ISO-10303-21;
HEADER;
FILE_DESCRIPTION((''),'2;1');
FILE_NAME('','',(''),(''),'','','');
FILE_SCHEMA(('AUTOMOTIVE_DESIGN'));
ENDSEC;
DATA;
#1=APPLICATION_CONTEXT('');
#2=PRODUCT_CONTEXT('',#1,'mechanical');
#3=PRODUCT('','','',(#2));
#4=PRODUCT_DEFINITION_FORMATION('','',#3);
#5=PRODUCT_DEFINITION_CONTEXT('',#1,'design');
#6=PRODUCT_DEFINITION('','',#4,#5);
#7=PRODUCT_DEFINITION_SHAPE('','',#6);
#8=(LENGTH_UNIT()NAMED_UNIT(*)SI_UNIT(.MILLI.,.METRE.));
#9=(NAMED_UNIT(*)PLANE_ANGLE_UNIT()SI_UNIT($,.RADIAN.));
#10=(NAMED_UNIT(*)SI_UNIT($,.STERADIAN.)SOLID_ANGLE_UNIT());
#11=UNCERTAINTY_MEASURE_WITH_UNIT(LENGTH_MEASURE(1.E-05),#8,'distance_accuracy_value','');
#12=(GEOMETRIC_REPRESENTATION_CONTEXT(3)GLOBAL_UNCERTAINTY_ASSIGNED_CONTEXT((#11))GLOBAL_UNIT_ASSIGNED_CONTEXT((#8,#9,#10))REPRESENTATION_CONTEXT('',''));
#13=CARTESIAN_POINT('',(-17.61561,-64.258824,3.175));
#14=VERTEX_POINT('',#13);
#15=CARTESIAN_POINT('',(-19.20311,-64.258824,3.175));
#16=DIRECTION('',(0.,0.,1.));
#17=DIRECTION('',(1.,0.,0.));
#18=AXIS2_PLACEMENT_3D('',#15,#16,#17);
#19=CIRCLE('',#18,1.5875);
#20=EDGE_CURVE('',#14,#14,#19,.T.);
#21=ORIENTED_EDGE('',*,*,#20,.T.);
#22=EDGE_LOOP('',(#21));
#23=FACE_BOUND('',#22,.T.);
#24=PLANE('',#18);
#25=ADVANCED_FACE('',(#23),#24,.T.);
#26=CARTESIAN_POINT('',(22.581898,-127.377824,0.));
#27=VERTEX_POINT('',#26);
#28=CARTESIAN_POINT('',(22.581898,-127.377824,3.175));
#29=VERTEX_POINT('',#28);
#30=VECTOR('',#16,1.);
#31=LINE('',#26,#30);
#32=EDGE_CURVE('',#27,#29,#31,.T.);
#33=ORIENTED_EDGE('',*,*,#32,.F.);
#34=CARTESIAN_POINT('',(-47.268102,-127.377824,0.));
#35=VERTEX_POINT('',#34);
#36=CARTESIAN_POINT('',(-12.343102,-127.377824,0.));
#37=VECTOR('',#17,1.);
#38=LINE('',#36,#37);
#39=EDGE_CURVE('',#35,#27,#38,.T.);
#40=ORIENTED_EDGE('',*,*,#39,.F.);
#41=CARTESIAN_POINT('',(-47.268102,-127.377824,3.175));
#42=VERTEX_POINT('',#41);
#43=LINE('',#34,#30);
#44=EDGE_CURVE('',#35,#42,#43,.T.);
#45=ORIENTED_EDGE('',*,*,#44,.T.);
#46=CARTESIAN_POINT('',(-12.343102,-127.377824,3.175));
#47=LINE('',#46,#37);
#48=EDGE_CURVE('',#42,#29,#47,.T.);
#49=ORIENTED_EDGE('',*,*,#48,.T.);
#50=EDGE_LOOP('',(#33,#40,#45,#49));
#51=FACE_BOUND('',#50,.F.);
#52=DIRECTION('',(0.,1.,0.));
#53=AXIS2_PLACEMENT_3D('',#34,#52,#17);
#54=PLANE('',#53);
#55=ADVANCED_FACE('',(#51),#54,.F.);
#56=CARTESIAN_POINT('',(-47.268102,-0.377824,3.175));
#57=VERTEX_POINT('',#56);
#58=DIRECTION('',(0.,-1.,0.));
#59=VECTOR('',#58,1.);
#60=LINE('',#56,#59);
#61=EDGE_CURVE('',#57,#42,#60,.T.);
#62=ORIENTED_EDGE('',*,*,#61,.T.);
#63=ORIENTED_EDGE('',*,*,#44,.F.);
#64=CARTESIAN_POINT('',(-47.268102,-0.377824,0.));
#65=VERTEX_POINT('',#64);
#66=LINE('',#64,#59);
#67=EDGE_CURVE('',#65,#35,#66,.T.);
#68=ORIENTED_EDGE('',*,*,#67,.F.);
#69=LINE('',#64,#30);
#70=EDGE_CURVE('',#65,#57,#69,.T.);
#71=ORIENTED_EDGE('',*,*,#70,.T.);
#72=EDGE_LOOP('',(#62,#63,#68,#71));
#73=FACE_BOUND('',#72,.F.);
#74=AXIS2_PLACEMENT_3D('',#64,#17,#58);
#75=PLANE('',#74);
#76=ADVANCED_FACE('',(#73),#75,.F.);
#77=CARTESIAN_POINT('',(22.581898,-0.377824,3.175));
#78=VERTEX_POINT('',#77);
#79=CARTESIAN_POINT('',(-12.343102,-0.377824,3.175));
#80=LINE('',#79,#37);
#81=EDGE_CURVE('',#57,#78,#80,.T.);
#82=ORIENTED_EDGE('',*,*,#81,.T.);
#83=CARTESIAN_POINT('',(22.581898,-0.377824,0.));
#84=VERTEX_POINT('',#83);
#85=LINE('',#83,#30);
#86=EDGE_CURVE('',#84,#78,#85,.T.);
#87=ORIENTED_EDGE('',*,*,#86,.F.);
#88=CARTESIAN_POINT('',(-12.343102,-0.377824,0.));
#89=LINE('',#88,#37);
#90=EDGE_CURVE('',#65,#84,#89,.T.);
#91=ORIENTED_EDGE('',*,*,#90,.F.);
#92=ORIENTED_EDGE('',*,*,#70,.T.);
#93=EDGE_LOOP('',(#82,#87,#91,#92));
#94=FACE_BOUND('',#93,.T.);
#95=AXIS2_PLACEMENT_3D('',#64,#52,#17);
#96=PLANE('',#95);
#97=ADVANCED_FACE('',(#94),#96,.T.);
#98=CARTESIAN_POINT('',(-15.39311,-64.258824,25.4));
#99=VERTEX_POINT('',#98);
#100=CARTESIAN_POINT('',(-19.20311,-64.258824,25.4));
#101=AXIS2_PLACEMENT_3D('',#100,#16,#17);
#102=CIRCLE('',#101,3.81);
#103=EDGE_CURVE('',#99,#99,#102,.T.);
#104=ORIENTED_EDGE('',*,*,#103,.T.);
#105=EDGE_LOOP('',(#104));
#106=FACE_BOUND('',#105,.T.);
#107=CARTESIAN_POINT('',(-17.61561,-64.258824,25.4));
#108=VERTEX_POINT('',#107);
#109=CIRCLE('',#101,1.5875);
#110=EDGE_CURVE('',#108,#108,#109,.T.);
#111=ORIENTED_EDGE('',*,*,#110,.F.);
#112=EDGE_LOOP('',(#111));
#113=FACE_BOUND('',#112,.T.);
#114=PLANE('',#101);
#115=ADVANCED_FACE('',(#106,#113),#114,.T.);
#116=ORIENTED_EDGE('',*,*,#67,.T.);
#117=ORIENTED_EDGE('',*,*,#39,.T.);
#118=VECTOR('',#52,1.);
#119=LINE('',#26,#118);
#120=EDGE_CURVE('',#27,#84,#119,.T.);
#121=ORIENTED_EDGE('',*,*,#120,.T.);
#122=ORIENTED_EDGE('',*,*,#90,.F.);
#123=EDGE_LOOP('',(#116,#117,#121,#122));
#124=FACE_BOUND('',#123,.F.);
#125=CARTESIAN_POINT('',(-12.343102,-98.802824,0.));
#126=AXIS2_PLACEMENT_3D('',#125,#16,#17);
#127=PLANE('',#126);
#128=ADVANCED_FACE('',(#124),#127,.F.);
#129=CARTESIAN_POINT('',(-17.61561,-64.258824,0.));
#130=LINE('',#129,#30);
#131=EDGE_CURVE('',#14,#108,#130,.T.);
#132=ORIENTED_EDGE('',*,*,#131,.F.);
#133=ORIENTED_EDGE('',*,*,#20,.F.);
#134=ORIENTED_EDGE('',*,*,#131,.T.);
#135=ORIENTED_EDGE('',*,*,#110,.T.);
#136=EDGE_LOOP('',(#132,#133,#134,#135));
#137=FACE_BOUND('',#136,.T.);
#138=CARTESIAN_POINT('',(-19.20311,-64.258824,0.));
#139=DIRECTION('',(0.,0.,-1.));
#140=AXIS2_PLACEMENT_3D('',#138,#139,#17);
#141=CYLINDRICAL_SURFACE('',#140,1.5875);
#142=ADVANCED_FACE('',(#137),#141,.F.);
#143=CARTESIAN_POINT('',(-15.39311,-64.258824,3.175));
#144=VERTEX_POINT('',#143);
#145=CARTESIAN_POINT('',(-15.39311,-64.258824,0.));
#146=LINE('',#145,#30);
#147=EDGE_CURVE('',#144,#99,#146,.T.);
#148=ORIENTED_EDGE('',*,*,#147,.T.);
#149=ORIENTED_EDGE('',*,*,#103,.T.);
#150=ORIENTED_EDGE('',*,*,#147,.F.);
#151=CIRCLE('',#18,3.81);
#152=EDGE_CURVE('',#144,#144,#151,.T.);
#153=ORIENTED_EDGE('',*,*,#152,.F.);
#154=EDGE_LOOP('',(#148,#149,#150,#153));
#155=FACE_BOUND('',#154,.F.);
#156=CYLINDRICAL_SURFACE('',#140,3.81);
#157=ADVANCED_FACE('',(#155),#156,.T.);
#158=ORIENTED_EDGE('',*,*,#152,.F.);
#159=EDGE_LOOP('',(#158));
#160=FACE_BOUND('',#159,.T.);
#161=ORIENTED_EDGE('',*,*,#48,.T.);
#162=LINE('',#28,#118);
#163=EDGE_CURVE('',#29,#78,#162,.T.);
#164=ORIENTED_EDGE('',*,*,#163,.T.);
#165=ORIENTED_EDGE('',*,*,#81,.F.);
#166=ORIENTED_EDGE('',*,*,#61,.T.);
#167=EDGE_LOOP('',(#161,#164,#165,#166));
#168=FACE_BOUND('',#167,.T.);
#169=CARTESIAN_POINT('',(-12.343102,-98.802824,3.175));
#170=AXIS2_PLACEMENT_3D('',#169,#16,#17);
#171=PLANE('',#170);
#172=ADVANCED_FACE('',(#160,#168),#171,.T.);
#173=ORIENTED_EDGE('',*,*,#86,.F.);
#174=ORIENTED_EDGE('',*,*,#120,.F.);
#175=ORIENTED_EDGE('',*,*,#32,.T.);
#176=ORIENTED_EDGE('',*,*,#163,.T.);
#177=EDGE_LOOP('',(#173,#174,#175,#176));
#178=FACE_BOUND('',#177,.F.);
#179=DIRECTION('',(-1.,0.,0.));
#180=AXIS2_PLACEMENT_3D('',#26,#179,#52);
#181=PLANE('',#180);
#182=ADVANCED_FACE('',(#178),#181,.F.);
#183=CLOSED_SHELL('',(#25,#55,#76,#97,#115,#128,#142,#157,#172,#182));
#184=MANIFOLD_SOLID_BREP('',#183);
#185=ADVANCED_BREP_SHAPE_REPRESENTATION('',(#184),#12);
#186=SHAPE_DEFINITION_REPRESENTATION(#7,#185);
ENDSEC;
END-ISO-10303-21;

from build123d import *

# Parameters (mm, degrees)
F0_W     = 69.85
F0_H     = 57.15
F0_H_2   = 69.85
F0_R     = 3.81
F0_R_2   = 1.5875
F1_DEPTH = 3.175
F2_DEPTH = 25.4


with BuildPart() as f1:
    # F0 (on Top) → F1 (new body)
    with BuildSketch(Plane.XY):
        with Locations((-12.343102, -98.802824)):
            Rectangle(F0_W, F0_H)
        with Locations((-12.343102, -35.302824)):
            Rectangle(F0_W, F0_H_2)
        with Locations((-19.20311, -64.258824)):
            Circle(F0_R, mode=Mode.SUBTRACT)
        with Locations((-19.20311, -64.258824)):
            Circle(F0_R_2)
    extrude(amount=F1_DEPTH)

    # F0 (on Top) → F2 (join)
    with BuildSketch(Plane.XY):
        with Locations((-19.20311, -64.258824)):
            Circle(F0_R)
        with Locations((-19.20311, -64.258824)):
            Circle(F0_R_2, mode=Mode.SUBTRACT)
    extrude(amount=F2_DEPTH)


solid = f1.part
